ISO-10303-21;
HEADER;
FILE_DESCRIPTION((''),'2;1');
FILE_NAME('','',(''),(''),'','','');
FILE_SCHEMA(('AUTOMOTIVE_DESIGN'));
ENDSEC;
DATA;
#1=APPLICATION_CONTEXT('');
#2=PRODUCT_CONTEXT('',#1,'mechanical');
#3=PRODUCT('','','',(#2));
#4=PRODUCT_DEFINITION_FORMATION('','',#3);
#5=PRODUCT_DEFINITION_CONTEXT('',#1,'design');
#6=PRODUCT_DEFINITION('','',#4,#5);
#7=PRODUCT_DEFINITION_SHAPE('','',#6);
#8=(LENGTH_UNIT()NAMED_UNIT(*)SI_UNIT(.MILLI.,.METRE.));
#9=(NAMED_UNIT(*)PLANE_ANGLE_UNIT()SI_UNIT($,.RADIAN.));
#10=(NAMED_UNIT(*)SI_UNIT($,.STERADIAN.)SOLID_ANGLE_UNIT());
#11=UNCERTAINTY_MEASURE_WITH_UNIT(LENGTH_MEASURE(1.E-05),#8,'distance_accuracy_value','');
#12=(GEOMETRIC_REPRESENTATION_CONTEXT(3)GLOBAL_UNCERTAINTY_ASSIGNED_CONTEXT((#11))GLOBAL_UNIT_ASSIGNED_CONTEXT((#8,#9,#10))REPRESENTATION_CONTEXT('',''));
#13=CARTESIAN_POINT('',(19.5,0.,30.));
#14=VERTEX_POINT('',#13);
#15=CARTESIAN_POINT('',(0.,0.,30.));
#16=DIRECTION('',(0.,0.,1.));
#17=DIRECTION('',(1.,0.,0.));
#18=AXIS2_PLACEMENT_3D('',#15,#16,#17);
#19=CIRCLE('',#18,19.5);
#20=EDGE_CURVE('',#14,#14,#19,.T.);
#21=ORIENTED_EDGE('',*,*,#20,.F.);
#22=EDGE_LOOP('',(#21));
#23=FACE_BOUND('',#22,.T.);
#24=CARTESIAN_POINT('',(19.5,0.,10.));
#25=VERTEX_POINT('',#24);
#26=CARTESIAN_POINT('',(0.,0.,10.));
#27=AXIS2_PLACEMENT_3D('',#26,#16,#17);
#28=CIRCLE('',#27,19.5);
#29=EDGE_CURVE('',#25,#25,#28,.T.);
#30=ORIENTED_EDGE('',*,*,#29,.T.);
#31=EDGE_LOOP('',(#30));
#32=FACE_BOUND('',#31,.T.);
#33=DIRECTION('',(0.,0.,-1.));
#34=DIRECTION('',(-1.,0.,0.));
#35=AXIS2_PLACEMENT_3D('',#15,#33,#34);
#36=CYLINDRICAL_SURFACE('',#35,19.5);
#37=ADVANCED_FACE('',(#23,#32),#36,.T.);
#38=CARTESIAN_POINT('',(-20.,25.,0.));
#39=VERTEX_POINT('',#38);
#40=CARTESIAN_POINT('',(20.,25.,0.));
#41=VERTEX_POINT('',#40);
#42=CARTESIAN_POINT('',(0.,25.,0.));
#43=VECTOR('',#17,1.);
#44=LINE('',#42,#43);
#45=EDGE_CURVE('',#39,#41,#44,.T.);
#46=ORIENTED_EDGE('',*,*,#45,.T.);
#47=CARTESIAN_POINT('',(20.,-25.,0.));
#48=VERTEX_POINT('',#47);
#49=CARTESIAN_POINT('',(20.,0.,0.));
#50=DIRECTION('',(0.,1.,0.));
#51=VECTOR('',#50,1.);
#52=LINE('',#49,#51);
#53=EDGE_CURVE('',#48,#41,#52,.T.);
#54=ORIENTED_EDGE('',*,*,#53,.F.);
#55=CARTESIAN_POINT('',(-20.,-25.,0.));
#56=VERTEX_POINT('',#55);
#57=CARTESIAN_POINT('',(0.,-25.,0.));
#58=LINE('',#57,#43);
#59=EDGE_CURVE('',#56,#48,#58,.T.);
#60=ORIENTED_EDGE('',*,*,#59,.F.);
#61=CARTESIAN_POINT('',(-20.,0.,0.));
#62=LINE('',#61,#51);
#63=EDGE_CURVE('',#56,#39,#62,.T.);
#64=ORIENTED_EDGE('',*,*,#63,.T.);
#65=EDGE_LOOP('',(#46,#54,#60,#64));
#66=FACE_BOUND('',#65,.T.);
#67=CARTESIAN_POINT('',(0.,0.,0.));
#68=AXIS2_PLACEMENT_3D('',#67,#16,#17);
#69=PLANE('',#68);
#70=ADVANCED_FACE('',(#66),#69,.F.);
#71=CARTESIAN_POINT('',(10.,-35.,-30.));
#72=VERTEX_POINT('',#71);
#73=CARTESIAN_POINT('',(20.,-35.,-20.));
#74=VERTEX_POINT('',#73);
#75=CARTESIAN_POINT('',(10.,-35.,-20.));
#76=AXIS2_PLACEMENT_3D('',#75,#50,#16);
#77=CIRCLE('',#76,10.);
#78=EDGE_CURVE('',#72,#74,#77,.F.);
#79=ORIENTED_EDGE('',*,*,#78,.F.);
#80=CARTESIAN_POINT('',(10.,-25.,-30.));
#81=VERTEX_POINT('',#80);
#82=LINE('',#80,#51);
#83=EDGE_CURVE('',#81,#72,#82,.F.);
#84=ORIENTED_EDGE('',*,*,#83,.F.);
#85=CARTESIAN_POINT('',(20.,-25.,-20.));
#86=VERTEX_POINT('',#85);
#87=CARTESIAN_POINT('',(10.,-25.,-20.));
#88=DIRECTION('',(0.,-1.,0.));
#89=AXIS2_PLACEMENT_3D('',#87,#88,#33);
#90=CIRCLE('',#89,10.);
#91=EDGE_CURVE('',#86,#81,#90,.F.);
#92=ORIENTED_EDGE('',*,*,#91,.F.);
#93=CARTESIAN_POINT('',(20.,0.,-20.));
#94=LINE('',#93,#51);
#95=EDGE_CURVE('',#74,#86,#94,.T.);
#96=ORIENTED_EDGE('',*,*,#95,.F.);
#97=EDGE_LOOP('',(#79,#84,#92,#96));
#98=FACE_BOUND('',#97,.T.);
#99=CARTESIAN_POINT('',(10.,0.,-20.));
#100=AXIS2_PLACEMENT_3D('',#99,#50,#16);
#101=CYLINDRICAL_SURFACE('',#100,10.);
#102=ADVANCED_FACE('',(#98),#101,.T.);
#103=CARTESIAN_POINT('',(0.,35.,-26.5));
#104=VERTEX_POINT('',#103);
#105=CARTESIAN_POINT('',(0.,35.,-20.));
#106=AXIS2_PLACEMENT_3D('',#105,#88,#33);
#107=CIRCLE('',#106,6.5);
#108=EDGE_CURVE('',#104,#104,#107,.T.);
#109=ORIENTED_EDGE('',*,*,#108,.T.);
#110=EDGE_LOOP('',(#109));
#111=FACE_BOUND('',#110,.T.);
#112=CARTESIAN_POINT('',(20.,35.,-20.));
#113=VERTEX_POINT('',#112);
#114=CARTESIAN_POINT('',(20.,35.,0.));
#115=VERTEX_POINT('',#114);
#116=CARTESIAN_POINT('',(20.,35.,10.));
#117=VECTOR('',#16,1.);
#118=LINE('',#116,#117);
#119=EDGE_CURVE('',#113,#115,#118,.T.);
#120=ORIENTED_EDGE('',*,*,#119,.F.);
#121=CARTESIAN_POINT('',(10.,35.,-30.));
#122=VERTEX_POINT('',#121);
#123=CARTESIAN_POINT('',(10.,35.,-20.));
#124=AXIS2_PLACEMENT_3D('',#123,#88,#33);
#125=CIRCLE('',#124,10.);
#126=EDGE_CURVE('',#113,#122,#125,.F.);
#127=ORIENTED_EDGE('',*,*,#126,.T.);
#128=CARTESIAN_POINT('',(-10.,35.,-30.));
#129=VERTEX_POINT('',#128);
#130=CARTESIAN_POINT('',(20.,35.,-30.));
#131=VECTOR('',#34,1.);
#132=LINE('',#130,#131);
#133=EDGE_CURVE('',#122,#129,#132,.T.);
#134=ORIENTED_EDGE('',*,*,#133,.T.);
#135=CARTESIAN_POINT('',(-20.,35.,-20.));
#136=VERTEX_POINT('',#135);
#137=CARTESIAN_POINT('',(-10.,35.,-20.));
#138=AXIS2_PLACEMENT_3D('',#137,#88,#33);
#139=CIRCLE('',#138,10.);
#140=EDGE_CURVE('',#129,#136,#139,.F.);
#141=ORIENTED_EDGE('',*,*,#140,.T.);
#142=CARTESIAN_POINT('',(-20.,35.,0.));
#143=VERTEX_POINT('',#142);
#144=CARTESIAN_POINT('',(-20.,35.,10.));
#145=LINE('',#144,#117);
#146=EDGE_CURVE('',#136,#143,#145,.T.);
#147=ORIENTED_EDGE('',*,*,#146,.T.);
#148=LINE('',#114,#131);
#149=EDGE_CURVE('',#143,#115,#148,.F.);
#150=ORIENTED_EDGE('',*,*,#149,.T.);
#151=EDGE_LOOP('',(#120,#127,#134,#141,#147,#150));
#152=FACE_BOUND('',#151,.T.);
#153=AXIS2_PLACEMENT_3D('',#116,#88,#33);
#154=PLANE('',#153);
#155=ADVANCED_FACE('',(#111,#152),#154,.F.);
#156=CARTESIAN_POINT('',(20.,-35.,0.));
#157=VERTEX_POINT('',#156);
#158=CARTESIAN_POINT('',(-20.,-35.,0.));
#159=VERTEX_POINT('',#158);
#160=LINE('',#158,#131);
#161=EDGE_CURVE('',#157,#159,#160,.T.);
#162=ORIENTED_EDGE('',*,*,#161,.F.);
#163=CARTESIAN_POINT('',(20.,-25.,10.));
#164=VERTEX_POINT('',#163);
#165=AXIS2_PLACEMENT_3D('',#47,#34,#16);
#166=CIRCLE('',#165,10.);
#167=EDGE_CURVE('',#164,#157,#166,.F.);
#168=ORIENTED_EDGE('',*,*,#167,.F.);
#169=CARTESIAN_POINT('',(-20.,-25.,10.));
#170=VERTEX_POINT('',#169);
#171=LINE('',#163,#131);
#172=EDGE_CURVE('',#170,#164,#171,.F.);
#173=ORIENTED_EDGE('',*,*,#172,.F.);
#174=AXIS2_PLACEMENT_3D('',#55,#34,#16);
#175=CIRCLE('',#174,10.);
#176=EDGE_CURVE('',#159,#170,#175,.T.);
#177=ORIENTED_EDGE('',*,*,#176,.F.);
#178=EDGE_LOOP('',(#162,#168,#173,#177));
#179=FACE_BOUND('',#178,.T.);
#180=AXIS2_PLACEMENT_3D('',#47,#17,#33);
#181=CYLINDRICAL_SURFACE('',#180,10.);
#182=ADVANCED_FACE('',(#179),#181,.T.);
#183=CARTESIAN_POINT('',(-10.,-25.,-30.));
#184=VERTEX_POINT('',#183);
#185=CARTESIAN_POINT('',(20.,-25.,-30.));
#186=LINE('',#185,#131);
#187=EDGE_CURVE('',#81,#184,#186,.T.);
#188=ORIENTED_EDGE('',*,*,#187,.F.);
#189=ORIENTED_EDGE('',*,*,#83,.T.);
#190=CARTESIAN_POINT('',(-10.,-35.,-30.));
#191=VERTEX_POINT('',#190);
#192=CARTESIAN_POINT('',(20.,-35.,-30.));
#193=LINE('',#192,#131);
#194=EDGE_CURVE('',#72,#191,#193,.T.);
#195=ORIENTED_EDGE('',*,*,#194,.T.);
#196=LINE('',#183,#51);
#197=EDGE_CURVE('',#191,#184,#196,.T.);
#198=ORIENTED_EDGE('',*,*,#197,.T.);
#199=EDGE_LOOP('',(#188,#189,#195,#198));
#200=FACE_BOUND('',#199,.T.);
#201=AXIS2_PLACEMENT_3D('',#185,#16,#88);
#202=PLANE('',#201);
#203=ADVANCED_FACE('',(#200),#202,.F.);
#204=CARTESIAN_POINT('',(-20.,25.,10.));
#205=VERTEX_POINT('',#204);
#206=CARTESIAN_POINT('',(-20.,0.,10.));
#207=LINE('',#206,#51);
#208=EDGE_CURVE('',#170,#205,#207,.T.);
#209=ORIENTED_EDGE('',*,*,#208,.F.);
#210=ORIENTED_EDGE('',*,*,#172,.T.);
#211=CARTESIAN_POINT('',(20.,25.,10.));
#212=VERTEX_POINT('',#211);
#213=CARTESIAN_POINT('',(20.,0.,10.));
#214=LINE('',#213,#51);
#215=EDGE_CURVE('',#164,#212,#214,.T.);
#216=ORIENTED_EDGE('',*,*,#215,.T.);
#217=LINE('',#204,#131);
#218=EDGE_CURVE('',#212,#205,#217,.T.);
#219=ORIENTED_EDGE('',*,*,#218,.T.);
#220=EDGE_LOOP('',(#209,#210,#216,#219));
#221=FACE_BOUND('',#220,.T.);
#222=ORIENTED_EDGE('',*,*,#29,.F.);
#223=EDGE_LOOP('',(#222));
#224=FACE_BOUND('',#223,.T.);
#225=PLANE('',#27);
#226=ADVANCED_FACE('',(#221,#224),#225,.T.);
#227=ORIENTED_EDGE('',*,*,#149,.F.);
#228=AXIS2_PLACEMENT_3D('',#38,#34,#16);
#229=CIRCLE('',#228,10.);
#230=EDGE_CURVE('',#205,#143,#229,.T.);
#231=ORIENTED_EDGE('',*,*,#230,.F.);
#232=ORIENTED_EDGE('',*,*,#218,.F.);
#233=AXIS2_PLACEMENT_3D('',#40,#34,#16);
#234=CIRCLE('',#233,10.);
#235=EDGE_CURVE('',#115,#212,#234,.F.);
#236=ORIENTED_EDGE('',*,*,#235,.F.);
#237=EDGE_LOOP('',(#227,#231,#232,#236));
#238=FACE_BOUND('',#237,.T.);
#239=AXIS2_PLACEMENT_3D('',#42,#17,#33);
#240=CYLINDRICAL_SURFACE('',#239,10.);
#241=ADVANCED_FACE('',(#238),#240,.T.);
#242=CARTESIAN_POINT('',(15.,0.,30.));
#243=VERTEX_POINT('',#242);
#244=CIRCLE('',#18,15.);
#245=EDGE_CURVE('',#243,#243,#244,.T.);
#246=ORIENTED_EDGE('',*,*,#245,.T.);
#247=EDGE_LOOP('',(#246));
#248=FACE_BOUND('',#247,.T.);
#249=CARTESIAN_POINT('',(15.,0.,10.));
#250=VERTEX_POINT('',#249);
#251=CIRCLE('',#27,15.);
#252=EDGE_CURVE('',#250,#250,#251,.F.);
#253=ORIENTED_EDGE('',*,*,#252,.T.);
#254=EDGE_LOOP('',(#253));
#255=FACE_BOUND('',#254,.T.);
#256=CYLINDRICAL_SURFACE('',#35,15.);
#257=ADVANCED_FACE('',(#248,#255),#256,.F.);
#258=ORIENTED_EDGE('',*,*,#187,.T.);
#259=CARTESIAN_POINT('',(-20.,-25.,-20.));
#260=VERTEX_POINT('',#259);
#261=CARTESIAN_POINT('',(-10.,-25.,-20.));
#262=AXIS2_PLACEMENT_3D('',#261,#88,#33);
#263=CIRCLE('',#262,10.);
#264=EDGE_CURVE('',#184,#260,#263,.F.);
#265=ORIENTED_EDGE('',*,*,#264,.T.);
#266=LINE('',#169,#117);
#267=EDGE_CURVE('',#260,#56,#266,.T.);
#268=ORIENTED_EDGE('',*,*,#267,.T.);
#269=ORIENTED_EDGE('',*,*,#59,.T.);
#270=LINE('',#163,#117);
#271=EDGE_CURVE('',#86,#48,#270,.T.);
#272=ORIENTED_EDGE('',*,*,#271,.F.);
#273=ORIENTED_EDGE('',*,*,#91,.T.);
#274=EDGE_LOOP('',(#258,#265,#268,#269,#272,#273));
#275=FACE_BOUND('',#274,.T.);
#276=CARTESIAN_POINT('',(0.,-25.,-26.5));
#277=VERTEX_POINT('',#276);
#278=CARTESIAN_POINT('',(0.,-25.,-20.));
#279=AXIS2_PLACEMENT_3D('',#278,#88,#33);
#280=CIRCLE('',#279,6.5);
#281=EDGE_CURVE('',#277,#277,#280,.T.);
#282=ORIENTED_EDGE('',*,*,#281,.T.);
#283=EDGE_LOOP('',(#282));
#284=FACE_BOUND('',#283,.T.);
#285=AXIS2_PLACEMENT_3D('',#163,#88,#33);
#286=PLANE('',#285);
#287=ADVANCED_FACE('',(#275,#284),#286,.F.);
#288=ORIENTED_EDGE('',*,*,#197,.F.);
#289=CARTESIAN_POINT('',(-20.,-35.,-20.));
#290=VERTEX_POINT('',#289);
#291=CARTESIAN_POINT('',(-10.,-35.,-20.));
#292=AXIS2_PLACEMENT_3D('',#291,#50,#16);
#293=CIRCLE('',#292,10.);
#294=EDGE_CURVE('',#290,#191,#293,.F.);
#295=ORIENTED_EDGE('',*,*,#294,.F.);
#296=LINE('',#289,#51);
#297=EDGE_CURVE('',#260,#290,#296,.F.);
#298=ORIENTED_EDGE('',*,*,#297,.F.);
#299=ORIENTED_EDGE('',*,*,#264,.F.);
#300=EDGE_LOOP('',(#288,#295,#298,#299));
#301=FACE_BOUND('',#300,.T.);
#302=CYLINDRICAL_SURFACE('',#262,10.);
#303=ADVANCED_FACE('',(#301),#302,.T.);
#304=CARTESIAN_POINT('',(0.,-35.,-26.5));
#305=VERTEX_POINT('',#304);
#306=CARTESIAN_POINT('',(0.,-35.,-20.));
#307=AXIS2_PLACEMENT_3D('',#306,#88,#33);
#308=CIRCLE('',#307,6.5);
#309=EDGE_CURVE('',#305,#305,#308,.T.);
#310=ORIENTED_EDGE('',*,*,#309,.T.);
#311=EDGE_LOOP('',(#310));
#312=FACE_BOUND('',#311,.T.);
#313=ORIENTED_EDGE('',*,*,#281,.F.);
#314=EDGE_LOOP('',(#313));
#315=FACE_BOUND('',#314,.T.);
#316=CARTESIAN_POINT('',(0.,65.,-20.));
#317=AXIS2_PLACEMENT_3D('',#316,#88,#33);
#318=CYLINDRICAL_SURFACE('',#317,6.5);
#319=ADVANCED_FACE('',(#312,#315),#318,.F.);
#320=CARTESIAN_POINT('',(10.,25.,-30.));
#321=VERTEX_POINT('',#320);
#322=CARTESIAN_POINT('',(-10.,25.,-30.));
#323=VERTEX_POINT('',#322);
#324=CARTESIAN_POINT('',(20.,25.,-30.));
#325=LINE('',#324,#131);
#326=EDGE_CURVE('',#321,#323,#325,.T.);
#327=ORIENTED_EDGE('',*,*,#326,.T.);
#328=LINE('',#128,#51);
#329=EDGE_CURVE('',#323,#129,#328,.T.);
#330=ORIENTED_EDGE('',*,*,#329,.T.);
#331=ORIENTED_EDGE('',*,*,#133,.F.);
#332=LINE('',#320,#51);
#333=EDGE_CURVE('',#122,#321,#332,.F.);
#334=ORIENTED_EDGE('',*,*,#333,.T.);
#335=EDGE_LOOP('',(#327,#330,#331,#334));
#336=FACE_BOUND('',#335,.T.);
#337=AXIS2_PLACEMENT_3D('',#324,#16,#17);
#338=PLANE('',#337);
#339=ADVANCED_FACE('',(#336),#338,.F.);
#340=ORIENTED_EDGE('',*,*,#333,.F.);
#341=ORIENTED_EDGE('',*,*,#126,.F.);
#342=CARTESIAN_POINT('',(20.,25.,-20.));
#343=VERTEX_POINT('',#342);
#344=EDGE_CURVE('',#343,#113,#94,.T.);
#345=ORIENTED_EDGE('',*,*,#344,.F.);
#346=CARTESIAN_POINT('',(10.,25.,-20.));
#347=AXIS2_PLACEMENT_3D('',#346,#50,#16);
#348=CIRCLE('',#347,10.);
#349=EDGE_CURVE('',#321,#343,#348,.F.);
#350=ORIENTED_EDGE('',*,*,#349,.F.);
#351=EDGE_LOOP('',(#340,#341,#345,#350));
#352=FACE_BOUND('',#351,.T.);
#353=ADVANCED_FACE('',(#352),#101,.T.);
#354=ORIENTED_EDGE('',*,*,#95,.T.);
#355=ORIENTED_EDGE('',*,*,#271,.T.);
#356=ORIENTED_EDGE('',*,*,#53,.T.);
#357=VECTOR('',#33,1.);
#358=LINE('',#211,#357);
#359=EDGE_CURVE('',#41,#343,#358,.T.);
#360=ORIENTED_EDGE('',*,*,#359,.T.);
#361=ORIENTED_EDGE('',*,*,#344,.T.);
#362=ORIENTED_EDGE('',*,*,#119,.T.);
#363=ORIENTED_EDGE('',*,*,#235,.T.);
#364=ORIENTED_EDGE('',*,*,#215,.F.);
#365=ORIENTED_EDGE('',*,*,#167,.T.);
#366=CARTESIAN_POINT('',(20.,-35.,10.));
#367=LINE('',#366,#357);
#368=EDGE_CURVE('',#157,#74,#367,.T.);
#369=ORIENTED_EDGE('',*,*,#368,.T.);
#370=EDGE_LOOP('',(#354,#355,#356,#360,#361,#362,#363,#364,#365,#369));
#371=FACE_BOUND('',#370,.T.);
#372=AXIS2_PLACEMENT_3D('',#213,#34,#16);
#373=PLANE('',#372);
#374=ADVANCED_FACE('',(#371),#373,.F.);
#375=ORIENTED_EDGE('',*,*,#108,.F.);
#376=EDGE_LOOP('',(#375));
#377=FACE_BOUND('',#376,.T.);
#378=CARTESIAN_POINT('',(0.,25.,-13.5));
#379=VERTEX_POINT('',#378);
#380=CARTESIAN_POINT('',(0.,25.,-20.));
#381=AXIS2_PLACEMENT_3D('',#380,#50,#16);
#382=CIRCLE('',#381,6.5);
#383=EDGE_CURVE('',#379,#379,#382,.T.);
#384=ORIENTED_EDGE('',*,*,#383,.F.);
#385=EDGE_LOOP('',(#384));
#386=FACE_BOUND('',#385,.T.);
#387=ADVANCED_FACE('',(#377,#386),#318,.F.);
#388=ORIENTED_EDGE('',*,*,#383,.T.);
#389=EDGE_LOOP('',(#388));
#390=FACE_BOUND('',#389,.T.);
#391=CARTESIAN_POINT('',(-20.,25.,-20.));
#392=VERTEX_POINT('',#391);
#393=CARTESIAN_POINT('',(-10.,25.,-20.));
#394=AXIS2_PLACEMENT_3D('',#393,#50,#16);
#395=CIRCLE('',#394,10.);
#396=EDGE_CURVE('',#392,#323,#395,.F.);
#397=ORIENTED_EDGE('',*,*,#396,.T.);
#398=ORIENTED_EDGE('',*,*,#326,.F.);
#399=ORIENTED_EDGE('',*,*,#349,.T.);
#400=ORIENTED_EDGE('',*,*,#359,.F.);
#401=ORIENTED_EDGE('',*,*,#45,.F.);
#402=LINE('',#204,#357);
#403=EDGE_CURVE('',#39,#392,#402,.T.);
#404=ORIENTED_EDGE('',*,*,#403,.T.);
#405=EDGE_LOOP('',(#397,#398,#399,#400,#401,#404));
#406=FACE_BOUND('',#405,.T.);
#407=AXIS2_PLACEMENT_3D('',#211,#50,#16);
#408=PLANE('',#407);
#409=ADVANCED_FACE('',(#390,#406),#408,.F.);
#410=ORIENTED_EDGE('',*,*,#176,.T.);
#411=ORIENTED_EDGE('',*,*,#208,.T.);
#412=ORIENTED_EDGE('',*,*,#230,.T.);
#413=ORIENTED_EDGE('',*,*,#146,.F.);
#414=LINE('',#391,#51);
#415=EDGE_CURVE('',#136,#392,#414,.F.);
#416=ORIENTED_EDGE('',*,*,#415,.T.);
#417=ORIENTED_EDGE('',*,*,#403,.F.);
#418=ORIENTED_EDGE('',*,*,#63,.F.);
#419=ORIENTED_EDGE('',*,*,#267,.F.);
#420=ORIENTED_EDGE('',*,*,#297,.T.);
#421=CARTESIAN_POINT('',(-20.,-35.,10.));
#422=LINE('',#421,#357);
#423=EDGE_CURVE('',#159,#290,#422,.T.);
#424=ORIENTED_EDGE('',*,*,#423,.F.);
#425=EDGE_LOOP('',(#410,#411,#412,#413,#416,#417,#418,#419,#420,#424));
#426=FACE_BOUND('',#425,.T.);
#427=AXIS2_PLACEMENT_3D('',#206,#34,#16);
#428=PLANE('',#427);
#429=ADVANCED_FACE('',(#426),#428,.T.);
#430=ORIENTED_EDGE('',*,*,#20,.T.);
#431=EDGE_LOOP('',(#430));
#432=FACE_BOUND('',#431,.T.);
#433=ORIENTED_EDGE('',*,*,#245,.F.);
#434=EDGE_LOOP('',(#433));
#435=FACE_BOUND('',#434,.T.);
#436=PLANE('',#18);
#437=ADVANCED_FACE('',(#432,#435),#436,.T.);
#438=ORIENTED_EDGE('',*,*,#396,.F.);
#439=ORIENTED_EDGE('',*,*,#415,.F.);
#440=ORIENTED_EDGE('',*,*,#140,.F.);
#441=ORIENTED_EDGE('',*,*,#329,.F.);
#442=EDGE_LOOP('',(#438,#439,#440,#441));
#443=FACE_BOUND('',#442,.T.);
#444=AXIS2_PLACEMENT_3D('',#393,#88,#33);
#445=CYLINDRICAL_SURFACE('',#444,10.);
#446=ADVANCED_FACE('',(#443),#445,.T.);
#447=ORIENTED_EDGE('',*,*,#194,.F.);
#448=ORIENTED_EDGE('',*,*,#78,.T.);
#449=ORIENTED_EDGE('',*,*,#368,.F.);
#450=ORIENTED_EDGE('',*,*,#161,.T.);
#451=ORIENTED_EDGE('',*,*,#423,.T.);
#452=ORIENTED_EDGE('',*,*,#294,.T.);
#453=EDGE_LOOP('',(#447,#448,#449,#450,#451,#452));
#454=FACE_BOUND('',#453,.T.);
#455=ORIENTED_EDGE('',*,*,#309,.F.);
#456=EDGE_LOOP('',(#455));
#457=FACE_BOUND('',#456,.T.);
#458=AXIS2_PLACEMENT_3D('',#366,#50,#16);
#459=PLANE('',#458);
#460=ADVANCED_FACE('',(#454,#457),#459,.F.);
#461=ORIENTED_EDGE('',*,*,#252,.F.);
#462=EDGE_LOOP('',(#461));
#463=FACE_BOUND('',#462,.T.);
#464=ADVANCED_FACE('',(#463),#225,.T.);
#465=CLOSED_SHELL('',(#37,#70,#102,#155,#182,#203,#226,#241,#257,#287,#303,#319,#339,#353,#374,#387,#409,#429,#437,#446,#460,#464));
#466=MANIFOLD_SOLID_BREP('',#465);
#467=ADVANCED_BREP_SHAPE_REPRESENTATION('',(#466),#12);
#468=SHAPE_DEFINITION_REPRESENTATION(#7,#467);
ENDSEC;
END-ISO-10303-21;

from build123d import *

# Parameters (mm, degrees)
SKETCH1_W           = 40
SKETCH1_H           = 50
BOSS_EXTRUDE1_DEPTH = 10
SKETCH3_W           = 40
SKETCH3_H           = 10
BOSS_EXTRUDE2_DEPTH = 20
FILLET1_R           = 10
SKETCH4_R           = 19.5
SKETCH4_R_2         = 15
BOSS_EXTRUDE3_DEPTH = 20
SKETCH5_R           = 6.5
CUT_EXTRUDE1_DEPTH  = 100


with BuildPart() as part:
    # Sketch1 → Boss-Extrude1 (new body)
    with BuildSketch(Plane.XY):
        Rectangle(SKETCH1_W, SKETCH1_H)
    extrude(amount=BOSS_EXTRUDE1_DEPTH)

    # Sketch3 → Boss-Extrude2 (add, symmetric)
    with BuildSketch(Plane(origin=(0, 0, 0), x_dir=(0, 0, -1), z_dir=(1, 0, 0))):
        with Locations((10, -30)):
            Rectangle(SKETCH3_W, SKETCH3_H)
        with Locations((10, 30)):
            Rectangle(SKETCH3_W, SKETCH3_H)
    extrude(amount=BOSS_EXTRUDE2_DEPTH, both=True)

    # Fillet1
    fillet1_edges = [part.edges().sort_by_distance(p)[0] for p in [
        (0, -35, 10),
        (-20, -30, -30),
        (20, -30, -30),
        (0, 35, 10),
        (-20, 30, -30),
        (20, 30, -30),
    ]]
    fillet(fillet1_edges, radius=FILLET1_R)

    # Sketch4 → Boss-Extrude3 (add)
    with BuildSketch(Plane.XY.offset(10)):
        Circle(SKETCH4_R)
        Circle(SKETCH4_R_2, mode=Mode.SUBTRACT)
    extrude(amount=BOSS_EXTRUDE3_DEPTH)

    # Sketch5 → Cut-Extrude1 (cut)
    with BuildSketch(Plane.XZ.offset(35)):
        with Locations(Location((0, -20, 0), (0, 0, 270))):
            Circle(SKETCH5_R)
    extrude(amount=-CUT_EXTRUDE1_DEPTH, mode=Mode.SUBTRACT)


solid = part.part
